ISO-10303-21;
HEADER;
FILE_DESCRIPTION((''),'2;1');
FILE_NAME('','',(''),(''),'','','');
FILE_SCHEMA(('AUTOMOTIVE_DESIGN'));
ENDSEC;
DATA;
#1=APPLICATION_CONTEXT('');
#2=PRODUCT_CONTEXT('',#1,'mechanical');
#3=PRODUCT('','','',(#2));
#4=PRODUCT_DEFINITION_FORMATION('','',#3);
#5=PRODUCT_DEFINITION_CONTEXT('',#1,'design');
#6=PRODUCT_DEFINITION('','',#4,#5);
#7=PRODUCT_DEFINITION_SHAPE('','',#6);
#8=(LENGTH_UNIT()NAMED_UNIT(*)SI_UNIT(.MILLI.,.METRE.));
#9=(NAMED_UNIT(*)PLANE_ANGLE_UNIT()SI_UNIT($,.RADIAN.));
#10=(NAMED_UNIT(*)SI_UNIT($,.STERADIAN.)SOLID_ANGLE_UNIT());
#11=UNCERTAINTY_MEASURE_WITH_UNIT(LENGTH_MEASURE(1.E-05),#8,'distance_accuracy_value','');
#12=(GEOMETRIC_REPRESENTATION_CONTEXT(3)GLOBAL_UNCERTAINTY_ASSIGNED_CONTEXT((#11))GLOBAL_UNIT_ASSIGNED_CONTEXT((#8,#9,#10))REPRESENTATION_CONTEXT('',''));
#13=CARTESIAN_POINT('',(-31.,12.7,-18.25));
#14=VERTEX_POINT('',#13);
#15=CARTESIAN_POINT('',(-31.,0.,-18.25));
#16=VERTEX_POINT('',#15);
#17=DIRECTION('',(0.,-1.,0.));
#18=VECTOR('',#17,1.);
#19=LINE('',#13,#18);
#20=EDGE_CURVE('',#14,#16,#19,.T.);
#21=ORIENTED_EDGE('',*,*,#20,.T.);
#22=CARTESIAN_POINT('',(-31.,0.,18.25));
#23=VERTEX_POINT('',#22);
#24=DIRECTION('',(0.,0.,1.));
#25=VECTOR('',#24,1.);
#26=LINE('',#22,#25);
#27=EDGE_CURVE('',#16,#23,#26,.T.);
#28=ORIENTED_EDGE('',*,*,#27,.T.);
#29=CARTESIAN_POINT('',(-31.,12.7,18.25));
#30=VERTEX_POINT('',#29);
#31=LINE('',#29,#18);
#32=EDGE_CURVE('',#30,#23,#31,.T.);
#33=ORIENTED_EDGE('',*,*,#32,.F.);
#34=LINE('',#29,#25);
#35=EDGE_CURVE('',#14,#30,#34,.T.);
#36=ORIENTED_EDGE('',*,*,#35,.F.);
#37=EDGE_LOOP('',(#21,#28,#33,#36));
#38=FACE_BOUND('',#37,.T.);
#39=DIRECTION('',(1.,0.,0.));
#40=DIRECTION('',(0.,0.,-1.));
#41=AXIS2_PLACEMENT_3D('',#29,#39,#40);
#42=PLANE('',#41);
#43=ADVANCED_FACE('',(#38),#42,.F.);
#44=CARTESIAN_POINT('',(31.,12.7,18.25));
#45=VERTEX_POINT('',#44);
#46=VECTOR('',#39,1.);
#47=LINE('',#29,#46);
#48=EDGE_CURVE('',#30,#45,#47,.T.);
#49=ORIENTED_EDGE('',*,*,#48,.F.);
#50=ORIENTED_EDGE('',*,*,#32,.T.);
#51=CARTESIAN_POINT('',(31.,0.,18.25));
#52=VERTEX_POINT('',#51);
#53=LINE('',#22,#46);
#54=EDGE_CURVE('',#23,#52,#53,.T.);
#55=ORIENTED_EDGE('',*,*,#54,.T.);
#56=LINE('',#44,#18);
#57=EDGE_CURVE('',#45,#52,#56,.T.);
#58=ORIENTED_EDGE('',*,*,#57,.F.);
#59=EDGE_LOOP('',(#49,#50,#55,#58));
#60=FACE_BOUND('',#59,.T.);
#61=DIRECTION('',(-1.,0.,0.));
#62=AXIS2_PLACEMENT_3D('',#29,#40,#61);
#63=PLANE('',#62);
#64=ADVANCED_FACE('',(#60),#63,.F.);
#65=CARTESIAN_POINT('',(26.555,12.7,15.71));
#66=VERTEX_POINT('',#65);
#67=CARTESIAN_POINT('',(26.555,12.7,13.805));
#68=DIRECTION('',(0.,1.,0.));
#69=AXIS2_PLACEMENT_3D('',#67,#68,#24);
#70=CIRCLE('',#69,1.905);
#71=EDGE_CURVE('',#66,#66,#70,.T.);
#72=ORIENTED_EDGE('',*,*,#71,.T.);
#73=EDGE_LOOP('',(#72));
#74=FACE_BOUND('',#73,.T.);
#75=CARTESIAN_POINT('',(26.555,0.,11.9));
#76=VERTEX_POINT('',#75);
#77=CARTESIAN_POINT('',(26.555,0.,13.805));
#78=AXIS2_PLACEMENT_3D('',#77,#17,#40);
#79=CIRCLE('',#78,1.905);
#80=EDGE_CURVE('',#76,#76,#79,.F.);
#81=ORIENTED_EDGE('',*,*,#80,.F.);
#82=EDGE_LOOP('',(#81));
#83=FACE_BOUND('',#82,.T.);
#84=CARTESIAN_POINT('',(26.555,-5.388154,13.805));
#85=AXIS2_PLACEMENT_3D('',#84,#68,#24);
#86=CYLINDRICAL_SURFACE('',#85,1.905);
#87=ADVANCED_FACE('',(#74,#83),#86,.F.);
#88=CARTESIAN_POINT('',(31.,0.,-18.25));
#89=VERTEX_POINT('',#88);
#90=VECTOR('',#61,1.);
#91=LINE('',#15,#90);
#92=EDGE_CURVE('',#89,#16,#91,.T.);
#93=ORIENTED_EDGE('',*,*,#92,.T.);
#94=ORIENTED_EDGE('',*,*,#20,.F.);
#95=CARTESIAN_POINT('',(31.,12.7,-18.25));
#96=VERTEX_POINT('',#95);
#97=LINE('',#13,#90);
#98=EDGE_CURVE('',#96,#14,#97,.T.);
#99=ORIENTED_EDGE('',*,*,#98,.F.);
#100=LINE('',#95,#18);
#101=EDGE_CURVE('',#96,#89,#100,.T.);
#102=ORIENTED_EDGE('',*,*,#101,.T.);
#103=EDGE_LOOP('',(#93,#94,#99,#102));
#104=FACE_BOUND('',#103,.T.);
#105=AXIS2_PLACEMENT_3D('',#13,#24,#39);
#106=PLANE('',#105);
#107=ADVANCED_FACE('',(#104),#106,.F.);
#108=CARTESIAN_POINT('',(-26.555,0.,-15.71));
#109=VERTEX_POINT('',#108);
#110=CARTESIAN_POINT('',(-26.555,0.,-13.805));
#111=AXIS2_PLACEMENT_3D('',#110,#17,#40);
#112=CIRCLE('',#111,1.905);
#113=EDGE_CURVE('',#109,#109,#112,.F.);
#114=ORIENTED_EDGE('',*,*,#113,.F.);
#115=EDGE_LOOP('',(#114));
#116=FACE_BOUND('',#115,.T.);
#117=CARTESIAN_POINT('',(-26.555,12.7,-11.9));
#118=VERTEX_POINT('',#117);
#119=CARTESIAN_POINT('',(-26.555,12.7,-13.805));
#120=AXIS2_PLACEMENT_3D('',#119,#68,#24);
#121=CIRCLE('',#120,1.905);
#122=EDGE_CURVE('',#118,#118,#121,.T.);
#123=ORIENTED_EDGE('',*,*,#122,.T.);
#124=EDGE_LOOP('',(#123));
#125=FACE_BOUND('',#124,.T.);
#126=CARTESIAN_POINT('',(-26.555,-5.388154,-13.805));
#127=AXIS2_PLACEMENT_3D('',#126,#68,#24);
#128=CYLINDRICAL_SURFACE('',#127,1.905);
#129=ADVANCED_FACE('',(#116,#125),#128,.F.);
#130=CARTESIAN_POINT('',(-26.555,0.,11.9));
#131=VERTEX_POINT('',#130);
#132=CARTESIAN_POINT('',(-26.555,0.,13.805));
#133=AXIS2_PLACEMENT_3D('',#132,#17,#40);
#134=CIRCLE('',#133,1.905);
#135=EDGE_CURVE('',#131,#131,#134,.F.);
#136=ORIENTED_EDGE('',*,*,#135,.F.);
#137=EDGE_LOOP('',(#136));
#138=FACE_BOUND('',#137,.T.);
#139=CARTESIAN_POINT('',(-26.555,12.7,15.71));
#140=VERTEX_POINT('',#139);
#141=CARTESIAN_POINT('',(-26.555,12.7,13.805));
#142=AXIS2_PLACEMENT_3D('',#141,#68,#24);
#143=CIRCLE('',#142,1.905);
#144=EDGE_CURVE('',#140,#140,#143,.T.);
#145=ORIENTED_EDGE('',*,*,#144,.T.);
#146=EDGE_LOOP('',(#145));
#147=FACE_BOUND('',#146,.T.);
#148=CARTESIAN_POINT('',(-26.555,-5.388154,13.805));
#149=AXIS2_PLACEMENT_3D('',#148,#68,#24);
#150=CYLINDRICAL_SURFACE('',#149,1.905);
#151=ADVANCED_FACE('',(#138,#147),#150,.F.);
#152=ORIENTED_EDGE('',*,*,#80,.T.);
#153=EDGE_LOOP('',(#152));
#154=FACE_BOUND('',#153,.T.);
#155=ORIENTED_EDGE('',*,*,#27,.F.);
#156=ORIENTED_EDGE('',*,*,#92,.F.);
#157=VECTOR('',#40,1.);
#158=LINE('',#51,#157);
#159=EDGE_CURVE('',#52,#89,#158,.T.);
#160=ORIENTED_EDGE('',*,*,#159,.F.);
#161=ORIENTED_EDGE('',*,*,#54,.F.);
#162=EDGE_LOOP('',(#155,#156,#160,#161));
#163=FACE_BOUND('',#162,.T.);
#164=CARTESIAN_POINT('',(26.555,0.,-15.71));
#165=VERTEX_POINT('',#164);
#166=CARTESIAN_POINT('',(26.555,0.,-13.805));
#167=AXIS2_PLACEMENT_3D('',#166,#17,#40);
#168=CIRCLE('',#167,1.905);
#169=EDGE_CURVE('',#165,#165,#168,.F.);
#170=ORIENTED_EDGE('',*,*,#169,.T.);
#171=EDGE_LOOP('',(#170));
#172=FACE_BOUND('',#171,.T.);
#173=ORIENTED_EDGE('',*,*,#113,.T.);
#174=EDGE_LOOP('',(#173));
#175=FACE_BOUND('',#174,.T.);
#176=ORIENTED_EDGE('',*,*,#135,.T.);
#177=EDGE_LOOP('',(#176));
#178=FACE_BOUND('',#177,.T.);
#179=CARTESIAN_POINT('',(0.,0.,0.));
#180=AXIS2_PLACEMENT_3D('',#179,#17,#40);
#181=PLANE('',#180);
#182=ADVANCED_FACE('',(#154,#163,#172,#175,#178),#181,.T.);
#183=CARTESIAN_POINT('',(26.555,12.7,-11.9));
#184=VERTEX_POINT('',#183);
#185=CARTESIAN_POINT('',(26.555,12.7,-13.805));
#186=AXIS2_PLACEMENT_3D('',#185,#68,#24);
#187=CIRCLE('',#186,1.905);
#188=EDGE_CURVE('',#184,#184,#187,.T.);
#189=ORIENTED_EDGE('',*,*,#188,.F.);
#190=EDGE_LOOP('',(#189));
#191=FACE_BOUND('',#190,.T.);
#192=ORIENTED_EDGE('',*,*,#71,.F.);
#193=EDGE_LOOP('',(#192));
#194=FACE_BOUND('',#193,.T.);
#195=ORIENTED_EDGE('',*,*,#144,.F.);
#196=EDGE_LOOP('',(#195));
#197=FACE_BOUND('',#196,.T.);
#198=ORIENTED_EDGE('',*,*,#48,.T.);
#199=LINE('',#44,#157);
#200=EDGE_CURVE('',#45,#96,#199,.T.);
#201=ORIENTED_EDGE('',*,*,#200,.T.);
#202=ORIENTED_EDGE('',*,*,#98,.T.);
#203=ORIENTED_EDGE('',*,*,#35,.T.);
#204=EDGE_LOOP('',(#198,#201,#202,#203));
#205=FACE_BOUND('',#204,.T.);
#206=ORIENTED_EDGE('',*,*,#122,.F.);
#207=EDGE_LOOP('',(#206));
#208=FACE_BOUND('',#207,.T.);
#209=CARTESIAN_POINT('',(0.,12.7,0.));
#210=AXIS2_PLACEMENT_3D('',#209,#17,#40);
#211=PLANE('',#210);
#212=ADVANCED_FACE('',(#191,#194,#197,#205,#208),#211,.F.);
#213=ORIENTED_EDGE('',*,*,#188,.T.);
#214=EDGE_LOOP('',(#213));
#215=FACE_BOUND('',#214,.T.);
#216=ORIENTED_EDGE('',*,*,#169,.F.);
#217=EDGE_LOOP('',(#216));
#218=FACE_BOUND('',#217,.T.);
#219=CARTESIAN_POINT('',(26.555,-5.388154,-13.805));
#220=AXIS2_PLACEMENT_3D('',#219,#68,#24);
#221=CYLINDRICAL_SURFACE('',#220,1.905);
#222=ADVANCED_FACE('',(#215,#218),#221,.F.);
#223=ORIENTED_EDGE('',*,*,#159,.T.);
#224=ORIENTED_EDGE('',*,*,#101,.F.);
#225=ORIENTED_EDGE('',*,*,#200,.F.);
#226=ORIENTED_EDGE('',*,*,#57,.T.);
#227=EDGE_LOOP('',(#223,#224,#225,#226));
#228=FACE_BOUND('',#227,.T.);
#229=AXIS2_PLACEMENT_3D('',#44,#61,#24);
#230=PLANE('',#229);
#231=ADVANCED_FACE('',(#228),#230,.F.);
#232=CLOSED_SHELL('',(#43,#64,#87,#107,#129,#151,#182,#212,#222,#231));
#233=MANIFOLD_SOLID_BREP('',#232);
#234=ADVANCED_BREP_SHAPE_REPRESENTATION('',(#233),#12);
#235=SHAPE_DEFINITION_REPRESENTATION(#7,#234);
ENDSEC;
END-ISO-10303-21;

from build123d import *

# Parameters (mm, degrees)
SKETCH1_W           = 62
SKETCH1_H           = 36.5
BOSS_EXTRUDE1_DEPTH = 12.7
SKETCH2_R           = 1.905
CUT_EXTRUDE1_DEPTH  = 12.7


with BuildPart() as part:
    # Sketch1 → Boss-Extrude1 (new body)
    with BuildSketch(Plane(origin=(0, 0, 0), x_dir=(1, 0, 0), z_dir=(0, 1, 0))):
        Rectangle(SKETCH1_W, SKETCH1_H)
    extrude(amount=BOSS_EXTRUDE1_DEPTH)

    # Sketch2 → Cut-Extrude1 (cut)
    with BuildSketch(Plane(origin=(0, 12.7, 0), x_dir=(1, 0, 0), z_dir=(0, 1, 0))):
        with Locations((26.555, 13.805)):
            Circle(SKETCH2_R)
        with Locations((26.555, -13.805)):
            Circle(SKETCH2_R)
        with Locations((-26.555, 13.805)):
            Circle(SKETCH2_R)
        with Locations((-26.555, -13.805)):
            Circle(SKETCH2_R)
    extrude(amount=-CUT_EXTRUDE1_DEPTH, mode=Mode.SUBTRACT)


solid = part.part
